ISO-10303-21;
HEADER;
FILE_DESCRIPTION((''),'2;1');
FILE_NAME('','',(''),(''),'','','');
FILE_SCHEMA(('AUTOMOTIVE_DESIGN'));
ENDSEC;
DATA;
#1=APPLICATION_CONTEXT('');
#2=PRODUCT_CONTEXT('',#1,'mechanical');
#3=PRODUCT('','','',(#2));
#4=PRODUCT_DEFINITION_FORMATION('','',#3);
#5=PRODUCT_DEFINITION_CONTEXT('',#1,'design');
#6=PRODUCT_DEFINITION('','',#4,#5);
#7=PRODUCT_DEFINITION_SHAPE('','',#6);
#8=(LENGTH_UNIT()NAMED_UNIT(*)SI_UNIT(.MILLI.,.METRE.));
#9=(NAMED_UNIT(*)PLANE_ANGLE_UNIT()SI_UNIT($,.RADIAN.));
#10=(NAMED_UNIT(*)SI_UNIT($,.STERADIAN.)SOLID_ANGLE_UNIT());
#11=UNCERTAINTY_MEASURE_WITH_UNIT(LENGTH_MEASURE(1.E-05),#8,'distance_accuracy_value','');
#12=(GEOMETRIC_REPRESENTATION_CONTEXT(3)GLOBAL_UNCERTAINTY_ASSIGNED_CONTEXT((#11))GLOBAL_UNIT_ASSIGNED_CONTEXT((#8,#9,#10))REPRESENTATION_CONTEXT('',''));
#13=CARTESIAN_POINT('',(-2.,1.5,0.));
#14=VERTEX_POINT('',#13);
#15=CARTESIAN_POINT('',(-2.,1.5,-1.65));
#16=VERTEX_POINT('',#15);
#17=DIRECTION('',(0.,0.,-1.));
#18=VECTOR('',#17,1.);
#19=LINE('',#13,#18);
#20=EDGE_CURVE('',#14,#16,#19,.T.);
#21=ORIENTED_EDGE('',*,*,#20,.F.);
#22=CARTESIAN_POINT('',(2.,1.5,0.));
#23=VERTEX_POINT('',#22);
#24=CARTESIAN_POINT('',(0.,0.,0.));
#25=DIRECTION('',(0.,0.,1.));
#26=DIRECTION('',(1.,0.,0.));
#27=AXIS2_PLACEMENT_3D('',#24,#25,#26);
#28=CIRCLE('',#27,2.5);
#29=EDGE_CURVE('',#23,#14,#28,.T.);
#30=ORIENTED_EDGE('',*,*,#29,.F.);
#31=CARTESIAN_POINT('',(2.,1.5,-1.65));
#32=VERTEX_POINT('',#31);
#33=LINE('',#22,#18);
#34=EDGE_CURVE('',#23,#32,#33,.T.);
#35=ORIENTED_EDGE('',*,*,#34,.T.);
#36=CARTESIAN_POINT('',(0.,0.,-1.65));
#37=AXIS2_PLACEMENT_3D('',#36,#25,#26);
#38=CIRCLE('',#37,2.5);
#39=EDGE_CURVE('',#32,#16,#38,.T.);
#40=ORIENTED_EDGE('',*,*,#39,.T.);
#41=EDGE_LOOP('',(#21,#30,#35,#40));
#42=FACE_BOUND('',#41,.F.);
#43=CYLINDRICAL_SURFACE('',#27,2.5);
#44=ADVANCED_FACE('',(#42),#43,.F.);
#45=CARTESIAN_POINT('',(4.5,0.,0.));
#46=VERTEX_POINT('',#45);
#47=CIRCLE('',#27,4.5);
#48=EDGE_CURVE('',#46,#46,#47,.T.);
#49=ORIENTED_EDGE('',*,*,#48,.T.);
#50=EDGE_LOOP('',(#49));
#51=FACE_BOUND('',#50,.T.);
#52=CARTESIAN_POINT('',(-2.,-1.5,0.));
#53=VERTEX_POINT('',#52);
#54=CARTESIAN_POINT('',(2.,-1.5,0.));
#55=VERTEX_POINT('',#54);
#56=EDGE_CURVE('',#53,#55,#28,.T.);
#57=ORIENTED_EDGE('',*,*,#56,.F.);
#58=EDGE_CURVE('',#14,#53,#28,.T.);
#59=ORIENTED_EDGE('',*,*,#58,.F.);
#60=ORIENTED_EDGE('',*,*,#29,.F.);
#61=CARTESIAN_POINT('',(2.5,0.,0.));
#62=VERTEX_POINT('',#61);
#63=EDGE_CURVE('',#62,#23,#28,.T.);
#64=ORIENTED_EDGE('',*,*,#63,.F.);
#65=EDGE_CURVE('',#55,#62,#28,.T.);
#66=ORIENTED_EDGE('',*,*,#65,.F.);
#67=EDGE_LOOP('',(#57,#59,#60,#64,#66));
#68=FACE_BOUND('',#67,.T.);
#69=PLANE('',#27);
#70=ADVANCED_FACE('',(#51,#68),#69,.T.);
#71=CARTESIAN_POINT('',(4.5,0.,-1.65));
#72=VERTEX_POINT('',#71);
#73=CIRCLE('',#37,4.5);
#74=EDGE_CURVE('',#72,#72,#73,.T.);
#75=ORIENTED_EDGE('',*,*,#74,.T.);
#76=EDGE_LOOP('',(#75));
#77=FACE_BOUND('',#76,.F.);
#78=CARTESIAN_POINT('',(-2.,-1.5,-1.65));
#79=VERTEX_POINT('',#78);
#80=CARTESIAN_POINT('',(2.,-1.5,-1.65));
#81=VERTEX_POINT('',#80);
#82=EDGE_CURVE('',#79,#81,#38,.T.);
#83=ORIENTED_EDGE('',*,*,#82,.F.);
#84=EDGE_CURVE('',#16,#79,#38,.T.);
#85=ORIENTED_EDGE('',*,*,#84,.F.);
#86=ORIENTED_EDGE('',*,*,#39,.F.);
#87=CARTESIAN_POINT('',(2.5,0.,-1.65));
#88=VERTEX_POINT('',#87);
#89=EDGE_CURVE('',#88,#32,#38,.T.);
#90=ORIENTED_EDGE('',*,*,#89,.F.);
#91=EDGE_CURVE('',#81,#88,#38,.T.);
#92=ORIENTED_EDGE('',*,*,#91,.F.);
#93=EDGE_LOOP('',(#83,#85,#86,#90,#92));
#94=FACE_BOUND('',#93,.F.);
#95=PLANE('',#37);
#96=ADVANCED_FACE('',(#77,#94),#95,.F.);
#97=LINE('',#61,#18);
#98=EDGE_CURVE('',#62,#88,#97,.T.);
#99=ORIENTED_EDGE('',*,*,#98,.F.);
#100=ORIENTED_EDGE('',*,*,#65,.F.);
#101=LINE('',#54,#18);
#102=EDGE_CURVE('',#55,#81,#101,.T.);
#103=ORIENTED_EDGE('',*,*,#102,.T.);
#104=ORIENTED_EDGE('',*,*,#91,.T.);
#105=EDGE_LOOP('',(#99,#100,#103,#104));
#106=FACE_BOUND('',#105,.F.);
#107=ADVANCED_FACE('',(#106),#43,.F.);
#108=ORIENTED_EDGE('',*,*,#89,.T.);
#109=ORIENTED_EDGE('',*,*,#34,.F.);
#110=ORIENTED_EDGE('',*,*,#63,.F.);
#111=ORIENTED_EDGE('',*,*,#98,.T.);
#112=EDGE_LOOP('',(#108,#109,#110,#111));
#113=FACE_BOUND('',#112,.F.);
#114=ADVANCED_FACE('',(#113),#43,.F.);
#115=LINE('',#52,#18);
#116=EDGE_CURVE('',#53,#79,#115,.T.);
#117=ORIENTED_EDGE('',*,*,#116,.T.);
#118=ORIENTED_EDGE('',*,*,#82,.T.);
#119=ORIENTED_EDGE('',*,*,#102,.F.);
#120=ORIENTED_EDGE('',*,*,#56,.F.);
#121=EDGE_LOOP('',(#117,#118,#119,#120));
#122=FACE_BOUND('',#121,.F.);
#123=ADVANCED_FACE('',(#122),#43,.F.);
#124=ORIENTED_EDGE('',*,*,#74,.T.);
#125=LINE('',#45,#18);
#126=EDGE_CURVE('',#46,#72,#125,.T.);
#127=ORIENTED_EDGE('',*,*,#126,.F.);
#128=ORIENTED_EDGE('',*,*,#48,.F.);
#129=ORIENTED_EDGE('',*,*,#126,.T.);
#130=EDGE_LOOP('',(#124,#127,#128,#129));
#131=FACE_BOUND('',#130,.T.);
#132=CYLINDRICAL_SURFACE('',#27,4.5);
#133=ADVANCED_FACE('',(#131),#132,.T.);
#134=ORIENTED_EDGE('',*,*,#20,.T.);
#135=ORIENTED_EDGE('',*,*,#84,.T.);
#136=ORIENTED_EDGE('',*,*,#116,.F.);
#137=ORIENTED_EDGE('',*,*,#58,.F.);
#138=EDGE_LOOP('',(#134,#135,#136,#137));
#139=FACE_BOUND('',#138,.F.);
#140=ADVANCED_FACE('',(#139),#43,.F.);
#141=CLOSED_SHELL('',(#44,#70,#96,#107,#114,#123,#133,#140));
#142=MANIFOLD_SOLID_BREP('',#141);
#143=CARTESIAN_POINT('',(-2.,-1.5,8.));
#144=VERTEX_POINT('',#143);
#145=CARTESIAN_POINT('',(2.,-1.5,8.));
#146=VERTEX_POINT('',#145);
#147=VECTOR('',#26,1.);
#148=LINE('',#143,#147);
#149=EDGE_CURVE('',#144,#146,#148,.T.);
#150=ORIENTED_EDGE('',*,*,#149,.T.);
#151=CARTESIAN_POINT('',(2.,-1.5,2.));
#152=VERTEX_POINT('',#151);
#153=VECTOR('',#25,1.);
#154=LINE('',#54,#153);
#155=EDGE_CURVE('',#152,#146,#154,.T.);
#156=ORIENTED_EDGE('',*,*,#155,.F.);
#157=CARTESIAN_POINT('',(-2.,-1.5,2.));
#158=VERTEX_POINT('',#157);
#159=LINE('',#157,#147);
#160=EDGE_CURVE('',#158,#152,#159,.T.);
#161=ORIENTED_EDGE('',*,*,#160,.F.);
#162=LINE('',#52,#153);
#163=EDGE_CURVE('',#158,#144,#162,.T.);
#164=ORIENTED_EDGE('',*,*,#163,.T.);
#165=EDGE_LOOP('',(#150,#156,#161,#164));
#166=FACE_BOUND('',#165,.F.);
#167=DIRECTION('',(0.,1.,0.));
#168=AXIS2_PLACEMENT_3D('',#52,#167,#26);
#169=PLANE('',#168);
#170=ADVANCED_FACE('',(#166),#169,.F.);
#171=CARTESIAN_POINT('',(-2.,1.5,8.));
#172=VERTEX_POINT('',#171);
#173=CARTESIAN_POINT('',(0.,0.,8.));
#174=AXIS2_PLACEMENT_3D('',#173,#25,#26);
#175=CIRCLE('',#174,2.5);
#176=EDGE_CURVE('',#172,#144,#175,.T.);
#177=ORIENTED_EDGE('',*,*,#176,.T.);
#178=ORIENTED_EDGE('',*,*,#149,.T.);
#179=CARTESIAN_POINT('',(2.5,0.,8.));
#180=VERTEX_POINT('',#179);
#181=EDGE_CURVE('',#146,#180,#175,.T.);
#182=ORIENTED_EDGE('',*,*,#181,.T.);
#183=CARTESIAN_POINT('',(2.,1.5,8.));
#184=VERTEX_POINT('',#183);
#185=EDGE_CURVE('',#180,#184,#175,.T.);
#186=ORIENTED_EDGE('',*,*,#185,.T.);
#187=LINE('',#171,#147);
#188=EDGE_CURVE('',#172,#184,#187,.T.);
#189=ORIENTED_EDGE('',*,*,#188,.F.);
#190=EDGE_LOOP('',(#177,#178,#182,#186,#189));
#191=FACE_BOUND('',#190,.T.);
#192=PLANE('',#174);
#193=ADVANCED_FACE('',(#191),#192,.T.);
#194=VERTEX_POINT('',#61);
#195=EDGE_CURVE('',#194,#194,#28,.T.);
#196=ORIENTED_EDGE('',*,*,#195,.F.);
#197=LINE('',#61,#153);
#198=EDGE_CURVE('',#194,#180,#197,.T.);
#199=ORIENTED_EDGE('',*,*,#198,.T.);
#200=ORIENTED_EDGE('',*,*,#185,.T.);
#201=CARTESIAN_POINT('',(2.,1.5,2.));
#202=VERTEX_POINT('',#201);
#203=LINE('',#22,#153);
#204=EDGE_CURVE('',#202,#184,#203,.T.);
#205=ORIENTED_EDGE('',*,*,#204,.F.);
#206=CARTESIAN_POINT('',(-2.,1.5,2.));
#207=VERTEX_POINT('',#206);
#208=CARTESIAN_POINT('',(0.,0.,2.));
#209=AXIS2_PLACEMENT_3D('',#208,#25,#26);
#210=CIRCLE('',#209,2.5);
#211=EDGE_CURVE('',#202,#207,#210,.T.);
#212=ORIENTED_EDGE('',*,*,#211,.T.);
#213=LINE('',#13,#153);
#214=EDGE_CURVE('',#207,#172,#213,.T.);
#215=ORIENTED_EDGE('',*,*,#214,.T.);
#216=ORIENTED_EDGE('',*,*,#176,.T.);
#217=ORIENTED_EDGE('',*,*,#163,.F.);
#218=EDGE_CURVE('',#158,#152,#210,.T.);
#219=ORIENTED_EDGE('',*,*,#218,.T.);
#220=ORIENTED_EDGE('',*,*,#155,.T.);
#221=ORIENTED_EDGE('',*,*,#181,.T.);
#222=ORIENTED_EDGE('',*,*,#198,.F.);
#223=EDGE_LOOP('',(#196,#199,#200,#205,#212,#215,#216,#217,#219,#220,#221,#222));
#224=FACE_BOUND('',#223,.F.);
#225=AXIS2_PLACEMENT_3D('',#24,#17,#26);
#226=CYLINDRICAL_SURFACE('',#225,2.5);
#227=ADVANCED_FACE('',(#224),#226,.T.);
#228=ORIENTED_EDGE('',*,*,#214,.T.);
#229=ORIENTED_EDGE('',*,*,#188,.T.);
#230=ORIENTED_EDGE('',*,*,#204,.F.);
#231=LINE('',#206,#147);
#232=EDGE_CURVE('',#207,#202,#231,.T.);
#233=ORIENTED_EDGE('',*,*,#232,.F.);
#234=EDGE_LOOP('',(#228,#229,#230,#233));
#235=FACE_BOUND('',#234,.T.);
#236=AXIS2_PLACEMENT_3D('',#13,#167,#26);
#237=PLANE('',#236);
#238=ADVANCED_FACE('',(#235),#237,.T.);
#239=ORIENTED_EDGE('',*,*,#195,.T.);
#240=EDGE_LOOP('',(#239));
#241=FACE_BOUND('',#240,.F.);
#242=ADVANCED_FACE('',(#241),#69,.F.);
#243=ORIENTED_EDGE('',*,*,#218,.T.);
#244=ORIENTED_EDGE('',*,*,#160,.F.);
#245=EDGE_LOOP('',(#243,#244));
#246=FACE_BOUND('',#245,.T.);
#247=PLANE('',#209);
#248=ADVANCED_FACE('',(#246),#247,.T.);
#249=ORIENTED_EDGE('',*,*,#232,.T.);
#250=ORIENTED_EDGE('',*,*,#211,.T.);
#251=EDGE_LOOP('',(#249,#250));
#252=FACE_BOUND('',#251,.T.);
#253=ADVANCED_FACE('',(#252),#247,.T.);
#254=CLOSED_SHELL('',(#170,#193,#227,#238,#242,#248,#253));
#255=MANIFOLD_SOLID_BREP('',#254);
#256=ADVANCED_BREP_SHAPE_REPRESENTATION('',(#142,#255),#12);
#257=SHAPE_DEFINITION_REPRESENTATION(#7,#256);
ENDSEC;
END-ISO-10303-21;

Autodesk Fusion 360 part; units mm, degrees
sketch "Boceto1" plane through (0, 0, 0) normal (0, 0, 1) x (1, 0, 0)
  circle A0 centre (0, 0) radius 2.5
  line L0 (-2, 1.5) -> (2, 1.5)
  circle A1 centre (0, 0) radius 4.5
  line L1 (-2, -1.5) -> (2, -1.5)
  dimension "d1" = 5
  dimension "d2" = 1.5
  dimension "d3" = 9
  dimension "d10" = 3
extrude "Extruir1" add sketch "Boceto1" along normal blind 8 contours A0 L0 L1 makes body 1
extrude "Extruir2" add sketch "Boceto1" along normal blind 2 contours A0 L0 | A0 L1 bodies 1
extrude "Extruir3" add sketch "Boceto1" against normal blind 1.65 separate body makes body 2
equation "d2 = d10 / 2"
